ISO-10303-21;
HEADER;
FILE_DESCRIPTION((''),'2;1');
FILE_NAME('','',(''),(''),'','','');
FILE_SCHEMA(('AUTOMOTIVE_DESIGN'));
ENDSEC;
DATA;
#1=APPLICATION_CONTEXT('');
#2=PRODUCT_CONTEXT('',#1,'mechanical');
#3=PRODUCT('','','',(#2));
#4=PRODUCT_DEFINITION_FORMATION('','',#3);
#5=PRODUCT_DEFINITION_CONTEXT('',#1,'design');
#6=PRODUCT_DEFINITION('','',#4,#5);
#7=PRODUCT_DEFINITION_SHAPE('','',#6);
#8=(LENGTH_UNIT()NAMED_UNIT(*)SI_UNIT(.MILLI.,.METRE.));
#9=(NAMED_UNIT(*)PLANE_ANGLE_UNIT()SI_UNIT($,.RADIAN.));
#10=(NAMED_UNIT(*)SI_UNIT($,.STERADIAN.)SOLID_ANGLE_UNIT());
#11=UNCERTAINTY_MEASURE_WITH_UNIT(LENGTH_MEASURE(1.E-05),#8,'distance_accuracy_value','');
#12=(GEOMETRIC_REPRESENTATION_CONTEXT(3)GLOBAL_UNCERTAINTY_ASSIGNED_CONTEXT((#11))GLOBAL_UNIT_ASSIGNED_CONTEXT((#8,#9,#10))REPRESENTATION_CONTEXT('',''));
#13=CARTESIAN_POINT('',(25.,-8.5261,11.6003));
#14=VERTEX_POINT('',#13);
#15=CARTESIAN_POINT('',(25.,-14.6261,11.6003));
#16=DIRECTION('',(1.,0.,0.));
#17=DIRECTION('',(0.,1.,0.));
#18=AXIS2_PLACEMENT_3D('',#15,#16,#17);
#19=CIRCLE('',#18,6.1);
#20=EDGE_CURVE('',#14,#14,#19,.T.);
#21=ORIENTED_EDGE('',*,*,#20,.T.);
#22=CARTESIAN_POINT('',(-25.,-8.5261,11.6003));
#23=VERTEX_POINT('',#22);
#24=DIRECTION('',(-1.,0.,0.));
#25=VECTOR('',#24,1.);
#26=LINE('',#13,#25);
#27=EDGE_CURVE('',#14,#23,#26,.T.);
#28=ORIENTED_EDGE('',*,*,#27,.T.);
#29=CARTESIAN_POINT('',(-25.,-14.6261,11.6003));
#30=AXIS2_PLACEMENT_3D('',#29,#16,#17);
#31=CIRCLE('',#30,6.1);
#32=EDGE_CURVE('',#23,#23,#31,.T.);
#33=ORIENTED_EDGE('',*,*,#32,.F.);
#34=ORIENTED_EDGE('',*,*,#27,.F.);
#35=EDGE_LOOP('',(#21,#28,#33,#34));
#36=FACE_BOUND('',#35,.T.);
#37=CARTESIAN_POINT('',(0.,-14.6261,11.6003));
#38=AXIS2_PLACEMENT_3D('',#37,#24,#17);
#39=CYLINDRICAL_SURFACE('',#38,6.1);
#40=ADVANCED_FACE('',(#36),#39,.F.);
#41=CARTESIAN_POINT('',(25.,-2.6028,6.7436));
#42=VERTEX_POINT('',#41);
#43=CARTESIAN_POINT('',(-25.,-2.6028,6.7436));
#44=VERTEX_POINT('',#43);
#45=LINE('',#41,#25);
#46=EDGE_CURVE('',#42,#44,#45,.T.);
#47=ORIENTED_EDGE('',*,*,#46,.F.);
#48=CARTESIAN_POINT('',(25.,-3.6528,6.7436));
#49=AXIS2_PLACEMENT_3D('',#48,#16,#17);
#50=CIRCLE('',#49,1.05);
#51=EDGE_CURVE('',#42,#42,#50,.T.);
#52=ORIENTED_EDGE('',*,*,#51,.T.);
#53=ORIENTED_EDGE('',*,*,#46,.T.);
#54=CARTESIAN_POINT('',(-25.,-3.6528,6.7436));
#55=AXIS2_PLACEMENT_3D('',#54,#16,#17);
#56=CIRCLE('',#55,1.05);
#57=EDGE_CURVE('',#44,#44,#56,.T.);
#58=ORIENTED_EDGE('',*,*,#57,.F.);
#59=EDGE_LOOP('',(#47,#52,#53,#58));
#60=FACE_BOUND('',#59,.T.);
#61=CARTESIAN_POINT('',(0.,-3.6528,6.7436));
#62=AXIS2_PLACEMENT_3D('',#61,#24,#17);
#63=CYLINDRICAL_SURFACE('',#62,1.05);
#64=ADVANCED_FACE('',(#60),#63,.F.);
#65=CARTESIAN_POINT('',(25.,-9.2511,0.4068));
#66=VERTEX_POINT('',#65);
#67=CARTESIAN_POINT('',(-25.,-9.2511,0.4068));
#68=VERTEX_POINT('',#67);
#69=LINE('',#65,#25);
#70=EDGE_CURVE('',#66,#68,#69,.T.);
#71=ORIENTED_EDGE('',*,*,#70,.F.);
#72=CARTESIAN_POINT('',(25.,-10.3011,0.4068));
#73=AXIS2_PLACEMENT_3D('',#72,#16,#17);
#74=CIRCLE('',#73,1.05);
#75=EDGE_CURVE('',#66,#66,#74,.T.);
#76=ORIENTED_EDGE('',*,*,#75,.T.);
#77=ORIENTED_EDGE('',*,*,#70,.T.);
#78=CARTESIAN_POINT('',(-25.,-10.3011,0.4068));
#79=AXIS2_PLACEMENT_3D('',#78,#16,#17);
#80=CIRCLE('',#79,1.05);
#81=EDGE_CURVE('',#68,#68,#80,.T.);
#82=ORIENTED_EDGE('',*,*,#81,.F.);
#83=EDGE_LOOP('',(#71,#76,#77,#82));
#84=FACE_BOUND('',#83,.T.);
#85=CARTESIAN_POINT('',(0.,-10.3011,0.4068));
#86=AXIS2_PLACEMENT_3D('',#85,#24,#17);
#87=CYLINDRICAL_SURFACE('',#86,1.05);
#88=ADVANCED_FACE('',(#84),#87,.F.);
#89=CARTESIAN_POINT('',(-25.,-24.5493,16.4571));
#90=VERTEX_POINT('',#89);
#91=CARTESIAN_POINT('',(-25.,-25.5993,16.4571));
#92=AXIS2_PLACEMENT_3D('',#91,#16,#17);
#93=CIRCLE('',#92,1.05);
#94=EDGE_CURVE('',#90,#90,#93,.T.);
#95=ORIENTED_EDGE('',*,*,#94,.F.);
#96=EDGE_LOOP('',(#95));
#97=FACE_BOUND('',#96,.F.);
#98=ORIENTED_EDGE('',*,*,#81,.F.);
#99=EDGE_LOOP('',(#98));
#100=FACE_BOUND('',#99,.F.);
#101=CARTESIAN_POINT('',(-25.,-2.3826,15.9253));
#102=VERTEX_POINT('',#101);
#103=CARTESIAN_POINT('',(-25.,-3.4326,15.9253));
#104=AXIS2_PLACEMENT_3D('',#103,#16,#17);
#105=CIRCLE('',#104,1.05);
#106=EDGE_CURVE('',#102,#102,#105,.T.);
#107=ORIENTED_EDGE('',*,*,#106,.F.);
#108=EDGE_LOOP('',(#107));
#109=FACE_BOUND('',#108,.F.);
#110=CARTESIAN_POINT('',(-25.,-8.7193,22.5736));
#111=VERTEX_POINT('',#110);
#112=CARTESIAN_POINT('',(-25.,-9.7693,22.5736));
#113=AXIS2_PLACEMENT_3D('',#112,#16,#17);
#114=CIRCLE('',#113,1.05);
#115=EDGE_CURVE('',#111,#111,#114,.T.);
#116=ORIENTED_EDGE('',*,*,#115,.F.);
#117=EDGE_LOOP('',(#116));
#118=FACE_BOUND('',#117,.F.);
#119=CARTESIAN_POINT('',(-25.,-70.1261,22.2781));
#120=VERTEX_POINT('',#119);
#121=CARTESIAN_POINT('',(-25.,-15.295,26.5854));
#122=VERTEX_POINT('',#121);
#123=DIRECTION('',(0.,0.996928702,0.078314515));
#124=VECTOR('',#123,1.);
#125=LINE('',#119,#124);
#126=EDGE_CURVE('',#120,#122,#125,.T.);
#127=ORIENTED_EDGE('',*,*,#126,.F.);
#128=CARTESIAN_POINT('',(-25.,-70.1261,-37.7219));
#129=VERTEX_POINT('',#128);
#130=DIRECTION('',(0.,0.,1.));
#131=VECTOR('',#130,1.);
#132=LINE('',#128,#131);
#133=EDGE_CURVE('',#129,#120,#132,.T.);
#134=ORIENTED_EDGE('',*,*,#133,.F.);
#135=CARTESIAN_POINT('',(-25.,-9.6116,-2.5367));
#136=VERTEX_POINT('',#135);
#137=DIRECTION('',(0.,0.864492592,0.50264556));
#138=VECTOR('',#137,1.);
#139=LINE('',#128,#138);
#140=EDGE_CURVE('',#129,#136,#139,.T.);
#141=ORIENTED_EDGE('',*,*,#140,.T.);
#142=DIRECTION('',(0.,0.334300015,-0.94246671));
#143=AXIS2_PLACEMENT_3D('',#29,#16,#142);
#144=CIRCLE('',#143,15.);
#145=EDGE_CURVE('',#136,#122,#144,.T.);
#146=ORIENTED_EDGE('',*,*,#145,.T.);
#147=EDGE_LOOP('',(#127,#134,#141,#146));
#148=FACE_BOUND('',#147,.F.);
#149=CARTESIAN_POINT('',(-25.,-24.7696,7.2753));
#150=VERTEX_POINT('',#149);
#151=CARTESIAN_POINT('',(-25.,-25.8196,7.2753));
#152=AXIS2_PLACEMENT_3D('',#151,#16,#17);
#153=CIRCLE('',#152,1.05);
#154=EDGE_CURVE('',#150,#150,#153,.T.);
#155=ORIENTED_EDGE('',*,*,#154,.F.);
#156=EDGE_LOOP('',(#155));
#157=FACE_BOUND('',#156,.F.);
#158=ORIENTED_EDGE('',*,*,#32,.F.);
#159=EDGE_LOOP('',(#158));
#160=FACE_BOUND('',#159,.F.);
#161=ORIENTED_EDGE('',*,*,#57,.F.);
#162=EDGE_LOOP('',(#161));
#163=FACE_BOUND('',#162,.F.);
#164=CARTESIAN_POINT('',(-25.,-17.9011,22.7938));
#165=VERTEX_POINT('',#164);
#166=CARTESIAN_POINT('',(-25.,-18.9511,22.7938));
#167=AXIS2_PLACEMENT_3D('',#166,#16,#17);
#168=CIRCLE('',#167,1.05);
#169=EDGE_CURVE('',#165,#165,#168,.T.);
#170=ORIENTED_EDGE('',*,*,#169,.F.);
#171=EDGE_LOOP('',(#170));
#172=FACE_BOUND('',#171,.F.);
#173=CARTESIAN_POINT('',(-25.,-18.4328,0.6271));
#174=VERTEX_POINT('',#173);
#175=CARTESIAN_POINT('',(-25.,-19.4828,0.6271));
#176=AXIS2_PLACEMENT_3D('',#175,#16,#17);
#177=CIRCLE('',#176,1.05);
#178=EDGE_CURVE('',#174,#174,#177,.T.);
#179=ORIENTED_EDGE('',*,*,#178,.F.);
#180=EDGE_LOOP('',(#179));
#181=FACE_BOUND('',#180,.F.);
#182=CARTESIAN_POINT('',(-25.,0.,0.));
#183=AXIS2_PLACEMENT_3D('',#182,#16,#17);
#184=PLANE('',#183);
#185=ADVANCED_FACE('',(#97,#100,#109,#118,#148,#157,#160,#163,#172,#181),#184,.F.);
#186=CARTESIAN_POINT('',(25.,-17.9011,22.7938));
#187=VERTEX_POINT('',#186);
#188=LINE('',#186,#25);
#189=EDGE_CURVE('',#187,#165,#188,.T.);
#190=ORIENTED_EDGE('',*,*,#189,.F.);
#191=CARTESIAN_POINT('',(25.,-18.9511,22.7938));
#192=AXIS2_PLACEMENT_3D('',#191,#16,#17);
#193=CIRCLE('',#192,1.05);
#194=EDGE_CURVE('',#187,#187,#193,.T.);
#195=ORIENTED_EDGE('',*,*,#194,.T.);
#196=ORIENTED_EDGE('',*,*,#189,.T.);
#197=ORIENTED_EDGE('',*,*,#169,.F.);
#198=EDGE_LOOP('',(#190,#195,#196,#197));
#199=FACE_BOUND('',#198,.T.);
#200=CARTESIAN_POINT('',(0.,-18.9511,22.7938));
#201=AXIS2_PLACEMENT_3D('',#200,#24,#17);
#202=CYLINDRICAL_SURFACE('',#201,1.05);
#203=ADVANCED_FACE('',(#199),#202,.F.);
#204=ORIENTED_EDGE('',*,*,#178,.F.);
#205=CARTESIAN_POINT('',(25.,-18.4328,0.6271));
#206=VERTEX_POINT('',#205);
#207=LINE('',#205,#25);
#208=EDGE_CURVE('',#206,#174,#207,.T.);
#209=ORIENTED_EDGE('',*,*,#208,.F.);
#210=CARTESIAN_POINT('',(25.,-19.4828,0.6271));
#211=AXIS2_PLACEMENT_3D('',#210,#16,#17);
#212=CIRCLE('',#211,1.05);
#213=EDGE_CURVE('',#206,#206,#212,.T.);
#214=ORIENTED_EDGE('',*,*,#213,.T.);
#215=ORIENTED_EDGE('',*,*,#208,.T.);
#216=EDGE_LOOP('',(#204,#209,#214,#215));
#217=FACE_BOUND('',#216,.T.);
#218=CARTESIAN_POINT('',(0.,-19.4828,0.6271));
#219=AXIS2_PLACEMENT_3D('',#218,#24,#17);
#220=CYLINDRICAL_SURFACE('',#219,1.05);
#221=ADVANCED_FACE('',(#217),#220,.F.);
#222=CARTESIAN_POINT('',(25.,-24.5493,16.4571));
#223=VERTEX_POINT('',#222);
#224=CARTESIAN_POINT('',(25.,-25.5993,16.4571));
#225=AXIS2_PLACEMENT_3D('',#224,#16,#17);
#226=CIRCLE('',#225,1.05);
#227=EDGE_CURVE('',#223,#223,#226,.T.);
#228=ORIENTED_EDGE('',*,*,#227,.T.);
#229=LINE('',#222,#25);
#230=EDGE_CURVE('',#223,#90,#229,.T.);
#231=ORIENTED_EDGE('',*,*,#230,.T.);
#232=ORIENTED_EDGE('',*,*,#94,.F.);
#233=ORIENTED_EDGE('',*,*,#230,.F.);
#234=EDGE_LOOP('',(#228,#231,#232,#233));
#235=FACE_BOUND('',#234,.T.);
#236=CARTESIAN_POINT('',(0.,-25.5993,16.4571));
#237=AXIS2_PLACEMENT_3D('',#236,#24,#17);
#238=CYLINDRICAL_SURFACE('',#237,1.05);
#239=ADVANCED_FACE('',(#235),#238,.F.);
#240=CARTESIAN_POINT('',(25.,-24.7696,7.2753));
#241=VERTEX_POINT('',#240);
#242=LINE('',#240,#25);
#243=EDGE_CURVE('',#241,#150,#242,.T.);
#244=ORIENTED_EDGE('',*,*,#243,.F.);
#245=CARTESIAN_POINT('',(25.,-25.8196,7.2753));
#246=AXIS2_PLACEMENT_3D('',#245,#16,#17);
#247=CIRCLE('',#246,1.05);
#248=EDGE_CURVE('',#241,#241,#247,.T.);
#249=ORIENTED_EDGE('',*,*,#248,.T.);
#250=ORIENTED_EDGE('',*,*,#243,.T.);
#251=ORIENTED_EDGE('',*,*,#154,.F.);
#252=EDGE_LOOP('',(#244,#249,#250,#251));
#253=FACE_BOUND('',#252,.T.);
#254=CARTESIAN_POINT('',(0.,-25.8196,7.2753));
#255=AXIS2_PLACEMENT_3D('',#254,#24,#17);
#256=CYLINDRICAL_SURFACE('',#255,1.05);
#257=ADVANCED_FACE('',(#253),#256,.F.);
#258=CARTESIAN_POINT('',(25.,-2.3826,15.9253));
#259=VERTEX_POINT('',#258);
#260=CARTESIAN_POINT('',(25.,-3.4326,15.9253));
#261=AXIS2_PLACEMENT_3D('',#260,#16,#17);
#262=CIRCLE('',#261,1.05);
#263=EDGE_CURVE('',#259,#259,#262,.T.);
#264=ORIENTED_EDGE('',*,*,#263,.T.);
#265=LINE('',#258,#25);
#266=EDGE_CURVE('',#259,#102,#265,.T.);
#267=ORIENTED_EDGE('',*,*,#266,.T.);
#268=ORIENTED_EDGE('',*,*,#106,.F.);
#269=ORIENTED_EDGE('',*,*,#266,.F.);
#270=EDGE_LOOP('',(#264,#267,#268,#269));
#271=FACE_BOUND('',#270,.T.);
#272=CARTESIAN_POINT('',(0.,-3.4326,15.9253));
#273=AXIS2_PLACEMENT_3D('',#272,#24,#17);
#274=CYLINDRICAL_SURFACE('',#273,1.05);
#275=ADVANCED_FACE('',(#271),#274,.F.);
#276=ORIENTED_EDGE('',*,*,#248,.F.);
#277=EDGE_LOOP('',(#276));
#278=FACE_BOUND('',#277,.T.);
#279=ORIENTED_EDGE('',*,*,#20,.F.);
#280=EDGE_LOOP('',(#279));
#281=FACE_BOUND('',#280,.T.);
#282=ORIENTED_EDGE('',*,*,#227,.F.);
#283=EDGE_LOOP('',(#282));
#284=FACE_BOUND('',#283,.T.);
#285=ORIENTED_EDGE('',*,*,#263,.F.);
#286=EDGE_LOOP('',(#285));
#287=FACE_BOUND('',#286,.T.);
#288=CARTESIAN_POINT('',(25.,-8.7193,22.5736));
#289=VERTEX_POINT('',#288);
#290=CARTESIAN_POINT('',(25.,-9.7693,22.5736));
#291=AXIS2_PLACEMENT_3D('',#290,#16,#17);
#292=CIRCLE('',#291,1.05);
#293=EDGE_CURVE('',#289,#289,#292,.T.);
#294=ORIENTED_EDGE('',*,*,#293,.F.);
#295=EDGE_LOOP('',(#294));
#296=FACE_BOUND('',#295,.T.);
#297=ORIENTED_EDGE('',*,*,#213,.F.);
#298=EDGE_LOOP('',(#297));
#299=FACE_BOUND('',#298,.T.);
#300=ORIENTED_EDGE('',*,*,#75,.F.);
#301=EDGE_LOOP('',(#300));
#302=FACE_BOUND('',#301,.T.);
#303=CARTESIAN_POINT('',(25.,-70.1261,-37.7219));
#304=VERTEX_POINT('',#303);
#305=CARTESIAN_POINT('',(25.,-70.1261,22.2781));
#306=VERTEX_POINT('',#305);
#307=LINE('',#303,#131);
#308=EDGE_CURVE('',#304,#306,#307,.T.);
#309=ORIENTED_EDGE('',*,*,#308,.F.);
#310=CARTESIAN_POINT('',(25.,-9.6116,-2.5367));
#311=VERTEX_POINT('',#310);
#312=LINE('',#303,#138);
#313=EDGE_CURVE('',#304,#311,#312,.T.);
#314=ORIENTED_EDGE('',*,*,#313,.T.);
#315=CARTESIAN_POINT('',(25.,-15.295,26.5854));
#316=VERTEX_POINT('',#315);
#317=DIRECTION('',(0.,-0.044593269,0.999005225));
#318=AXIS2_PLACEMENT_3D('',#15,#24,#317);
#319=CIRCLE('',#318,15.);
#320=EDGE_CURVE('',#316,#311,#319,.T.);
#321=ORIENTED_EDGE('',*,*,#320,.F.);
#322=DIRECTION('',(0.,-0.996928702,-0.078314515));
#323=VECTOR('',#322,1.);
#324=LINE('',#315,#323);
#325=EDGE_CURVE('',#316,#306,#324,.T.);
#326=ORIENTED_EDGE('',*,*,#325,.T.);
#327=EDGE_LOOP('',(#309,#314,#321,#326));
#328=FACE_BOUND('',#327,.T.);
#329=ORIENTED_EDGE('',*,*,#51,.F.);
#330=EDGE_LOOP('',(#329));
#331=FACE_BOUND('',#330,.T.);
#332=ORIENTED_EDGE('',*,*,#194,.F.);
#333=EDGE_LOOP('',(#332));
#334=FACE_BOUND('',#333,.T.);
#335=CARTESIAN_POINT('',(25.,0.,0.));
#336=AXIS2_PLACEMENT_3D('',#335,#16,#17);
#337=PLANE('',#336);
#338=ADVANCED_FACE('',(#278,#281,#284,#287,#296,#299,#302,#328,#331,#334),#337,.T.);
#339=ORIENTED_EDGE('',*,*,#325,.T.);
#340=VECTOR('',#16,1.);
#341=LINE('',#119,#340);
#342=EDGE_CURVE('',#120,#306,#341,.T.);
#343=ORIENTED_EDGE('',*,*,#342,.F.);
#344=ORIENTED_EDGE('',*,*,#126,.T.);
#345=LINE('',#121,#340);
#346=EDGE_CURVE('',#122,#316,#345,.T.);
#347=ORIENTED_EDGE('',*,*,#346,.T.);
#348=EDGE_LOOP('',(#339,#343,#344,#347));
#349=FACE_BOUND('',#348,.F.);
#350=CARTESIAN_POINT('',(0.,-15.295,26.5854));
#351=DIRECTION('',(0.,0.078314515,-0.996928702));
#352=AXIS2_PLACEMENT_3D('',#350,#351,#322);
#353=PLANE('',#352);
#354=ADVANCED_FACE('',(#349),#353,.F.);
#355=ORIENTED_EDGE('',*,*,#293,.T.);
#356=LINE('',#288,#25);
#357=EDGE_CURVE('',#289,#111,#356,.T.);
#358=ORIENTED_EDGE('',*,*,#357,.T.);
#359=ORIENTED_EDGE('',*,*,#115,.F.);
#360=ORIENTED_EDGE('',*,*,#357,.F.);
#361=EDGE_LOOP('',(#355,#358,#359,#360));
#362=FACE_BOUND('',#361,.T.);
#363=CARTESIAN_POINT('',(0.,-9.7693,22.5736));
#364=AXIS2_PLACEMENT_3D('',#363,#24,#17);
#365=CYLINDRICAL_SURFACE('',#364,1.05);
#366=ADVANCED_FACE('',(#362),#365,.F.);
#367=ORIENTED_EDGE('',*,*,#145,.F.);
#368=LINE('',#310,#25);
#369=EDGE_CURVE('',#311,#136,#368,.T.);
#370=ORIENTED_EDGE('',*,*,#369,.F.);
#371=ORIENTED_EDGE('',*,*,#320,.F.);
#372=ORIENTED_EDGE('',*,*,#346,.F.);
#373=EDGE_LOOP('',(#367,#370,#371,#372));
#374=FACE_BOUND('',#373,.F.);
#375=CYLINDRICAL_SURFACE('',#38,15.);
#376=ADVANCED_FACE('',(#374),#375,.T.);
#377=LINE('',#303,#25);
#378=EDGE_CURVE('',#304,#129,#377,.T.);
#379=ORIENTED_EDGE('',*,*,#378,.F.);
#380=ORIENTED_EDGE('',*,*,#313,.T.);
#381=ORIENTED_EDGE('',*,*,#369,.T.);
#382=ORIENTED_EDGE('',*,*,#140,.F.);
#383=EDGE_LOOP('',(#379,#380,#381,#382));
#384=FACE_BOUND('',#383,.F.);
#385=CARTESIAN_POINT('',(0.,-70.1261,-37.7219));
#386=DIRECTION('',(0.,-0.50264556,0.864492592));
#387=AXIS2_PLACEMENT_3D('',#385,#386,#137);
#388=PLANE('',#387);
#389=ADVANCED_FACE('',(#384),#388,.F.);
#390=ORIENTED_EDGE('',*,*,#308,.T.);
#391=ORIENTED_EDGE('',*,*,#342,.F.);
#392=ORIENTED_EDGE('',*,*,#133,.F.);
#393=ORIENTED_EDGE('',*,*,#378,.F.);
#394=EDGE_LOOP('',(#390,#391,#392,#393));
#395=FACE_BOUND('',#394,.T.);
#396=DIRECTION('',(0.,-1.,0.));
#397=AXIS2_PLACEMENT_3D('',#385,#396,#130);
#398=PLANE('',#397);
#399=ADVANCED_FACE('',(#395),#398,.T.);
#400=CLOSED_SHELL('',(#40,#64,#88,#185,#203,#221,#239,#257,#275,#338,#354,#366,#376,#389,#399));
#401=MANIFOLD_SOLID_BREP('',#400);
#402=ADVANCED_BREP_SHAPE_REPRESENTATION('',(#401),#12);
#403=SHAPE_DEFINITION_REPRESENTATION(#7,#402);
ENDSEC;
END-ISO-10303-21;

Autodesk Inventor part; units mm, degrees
sketch "Эскиз1" plane through (0, 0, 0) normal (1, 0, 0) x (0, 1, 0)
  line L0 (-84.2261, 0) -> (14.4739, 0) construction
  circle A0 centre (-14.6261, 11.6003) radius 15 projected
  line L1 (-70.1261, -37.7219) -> (-70.1261, 22.2781)
  line L2 (-70.1261, -37.7219) -> (-9.6116, -2.5367)
  line L3 (-15.295, 26.5854) -> (-70.1261, 22.2781)
  line L4 (-70.1261, 36.1012) -> (-70.1261, -83.8988) projected
  line L5 (-70.1261, -37.7219) -> (-60.535, -54.2175)
  line L6 (-15.295, 26.5854) -> (-16.485, 41.7343)
  circle A1 centre (-10.3011, 0.4068) radius 1.05 projected
  circle A2 centre (-19.4828, 0.6271) radius 1.05 projected
  circle A3 centre (-25.8196, 7.2753) radius 1.05 projected
  circle A4 centre (-25.5993, 16.4571) radius 1.05 projected
  circle A5 centre (-18.9511, 22.7938) radius 1.05 projected
  circle A6 centre (-9.7693, 22.5736) radius 1.05 projected
  circle A7 centre (-3.4326, 15.9253) radius 1.05 projected
  circle A8 centre (-3.6528, 6.7436) radius 1.05 projected
  circle A9 centre (-14.6261, 11.6003) radius 6.1
  dimension "d21" = 60
  dimension "d24" = 70
  dimension "d25" = 55
  dimension "d26" = 59.825
  dimension "d29" = 12.2
extrude "Выдавливание3" add sketch "Эскиз1" along normal mid plane 50 contours A0 L3 | L2 L1 L3 A0 picked at (-14.2037, 20.8402)
sketch "Эскиз3" plane through (-25, -70.1261, -37.7219) normal (0, -1, 0) x (1, 0, 0)
  point P0 (25, 37.7219)
properties part number "Ушко петли крышки"
